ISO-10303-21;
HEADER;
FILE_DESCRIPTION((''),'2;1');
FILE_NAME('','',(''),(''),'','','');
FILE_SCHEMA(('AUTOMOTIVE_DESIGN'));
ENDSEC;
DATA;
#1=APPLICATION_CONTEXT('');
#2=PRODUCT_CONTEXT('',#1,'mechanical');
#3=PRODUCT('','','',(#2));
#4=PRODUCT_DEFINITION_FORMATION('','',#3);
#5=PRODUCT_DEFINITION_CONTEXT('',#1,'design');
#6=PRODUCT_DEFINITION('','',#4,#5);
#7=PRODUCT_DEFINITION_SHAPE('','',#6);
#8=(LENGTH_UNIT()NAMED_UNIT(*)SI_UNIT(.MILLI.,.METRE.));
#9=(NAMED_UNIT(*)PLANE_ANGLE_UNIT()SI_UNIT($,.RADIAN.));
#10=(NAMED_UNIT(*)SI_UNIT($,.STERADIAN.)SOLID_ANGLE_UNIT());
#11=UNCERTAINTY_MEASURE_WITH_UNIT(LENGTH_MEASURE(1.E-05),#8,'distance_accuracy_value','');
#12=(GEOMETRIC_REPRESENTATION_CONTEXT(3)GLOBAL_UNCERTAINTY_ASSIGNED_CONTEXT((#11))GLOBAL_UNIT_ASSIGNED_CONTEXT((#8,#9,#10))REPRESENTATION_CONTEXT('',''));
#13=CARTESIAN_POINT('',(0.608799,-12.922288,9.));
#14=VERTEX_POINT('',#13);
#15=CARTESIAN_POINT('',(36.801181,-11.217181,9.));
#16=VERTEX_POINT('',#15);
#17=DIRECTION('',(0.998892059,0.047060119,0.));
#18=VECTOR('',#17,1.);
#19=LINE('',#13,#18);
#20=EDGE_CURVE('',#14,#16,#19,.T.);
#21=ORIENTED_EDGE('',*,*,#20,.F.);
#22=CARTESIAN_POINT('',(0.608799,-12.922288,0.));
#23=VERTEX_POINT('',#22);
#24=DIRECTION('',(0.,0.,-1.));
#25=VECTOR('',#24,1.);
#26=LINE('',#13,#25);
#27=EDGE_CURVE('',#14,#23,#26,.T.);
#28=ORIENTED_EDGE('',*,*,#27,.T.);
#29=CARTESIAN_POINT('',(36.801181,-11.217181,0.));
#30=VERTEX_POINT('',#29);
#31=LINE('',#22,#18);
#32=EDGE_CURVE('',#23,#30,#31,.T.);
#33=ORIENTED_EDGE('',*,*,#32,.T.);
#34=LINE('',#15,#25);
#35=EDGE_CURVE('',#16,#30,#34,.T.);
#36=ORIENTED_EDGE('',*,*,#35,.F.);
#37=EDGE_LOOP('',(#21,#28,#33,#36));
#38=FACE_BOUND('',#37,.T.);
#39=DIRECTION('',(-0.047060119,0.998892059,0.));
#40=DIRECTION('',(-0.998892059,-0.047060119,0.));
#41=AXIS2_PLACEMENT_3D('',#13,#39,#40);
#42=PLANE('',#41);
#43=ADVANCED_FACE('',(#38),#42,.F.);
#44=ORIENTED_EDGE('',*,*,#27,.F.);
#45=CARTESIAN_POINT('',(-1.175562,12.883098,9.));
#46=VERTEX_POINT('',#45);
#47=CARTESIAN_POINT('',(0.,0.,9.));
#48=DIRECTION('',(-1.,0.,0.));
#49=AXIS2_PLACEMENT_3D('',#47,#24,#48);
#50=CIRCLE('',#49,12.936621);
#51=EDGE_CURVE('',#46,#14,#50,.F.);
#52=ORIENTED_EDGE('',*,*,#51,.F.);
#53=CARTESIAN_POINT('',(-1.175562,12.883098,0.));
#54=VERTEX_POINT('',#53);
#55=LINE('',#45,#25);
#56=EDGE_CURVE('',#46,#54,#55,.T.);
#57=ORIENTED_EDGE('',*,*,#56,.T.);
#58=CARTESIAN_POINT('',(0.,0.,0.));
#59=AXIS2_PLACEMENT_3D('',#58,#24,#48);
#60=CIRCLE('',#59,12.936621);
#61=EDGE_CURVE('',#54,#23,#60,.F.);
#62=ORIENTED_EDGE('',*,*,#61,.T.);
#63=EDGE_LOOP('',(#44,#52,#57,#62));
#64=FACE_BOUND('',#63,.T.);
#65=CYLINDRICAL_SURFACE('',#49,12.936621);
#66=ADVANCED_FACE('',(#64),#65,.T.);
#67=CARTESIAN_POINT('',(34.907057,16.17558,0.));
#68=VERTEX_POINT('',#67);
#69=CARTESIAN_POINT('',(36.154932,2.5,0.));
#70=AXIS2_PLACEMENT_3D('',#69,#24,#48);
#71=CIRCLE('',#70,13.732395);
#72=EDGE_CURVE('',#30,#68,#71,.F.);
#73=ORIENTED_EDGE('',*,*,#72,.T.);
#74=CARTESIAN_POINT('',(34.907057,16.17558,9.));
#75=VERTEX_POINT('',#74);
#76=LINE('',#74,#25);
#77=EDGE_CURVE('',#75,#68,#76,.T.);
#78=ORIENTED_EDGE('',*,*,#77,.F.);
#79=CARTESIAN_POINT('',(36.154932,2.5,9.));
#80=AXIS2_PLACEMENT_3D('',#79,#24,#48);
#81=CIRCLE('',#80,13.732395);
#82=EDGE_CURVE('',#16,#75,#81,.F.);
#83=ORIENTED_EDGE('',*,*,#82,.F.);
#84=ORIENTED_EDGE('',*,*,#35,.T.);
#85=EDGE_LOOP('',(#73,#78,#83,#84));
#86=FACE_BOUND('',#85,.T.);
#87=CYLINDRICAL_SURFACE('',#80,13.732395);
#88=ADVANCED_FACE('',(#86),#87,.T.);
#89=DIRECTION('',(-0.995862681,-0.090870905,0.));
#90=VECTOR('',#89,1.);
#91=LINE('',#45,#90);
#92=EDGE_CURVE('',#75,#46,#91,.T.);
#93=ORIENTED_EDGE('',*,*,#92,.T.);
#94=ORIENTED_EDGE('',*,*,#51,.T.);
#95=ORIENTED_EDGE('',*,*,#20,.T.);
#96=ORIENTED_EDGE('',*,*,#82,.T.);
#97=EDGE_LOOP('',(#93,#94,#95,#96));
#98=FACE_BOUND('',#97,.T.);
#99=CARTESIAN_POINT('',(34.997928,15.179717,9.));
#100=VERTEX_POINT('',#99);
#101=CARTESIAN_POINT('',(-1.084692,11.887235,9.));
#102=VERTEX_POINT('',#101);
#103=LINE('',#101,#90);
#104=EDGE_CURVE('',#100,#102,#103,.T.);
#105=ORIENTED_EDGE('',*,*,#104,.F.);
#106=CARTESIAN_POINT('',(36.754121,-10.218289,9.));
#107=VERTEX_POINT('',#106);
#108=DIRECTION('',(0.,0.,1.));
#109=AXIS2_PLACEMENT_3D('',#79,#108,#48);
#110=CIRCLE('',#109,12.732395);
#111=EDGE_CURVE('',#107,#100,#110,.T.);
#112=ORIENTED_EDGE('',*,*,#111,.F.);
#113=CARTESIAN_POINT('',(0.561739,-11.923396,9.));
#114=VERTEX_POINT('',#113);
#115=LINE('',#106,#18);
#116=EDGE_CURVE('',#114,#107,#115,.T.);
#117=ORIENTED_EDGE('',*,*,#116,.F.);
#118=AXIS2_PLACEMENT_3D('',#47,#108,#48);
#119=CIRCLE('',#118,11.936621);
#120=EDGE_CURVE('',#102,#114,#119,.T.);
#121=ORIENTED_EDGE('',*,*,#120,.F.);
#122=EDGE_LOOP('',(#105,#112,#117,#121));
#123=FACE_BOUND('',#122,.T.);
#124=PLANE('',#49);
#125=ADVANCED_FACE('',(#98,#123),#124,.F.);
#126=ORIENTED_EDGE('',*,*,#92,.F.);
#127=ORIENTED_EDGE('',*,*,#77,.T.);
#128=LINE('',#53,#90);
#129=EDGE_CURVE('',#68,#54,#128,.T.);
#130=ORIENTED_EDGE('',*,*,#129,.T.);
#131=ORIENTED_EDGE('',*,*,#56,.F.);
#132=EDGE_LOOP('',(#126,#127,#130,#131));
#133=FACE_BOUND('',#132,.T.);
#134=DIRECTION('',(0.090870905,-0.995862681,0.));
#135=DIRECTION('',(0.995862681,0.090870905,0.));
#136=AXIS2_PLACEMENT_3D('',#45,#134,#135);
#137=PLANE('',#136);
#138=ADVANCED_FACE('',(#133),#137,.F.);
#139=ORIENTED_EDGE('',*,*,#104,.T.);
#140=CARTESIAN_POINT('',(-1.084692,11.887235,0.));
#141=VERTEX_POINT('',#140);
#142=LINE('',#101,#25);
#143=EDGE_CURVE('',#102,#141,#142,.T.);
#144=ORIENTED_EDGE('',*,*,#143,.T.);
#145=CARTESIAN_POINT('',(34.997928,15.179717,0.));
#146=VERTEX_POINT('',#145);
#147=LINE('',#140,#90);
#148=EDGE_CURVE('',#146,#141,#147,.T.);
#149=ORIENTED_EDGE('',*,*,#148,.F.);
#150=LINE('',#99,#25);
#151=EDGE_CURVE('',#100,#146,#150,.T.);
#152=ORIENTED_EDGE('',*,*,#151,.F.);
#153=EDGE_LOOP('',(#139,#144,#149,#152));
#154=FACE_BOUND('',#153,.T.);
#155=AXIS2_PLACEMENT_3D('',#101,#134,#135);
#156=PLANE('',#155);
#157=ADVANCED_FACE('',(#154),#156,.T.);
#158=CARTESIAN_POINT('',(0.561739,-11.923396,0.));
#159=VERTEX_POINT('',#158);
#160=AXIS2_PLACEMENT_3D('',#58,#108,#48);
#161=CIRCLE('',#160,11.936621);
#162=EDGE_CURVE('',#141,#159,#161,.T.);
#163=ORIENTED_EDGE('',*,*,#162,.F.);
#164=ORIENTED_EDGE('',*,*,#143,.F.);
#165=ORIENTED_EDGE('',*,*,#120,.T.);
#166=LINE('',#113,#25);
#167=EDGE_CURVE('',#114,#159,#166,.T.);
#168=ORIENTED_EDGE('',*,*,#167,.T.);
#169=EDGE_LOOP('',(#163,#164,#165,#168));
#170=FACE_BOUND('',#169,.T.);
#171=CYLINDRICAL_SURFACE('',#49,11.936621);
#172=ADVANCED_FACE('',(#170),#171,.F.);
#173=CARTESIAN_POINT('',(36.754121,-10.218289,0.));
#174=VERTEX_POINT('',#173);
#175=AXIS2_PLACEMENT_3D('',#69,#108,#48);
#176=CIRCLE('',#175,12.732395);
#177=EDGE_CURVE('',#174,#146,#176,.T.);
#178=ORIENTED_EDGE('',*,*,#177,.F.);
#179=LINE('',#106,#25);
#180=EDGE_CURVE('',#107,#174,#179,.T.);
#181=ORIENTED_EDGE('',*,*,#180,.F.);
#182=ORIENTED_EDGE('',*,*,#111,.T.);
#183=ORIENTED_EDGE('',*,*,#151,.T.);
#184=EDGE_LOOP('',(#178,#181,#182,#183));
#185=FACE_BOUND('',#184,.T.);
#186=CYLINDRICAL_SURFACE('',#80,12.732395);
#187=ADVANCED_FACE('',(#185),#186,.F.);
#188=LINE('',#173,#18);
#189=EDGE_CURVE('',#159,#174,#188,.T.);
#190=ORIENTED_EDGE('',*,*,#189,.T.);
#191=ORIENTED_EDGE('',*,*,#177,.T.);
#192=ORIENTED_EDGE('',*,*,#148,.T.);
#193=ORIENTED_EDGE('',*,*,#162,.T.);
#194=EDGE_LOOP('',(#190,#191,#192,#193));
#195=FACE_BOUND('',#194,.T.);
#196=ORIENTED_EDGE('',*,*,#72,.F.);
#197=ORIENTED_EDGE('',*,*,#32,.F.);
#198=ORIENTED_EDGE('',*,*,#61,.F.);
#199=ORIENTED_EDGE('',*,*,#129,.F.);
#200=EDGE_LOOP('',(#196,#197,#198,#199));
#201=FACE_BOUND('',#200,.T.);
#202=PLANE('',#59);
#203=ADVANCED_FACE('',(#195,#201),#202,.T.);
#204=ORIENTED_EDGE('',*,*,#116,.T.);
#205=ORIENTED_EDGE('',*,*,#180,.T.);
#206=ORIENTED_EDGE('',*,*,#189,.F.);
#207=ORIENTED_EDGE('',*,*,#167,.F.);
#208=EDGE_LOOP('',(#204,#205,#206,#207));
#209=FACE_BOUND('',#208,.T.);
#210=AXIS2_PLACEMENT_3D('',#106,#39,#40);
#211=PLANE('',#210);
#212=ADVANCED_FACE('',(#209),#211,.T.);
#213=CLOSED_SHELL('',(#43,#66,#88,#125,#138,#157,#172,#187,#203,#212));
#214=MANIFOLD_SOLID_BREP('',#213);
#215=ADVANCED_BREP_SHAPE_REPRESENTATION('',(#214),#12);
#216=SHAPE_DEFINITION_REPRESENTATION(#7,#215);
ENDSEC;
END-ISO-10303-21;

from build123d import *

# Parameters (mm, degrees)
EXTRUDE_THIN1_DEPTH = 9


with BuildPart() as part:
    # Sketch2 → Extrude-Thin1 (new body)
    with BuildSketch(Plane.XY):
        with BuildLine():
            Line((36.801180622, -11.217180761), (0.608798914, -12.922287717))
            ThreePointArc((0.608798914, -12.922287717), (-12.905804339, -0.892395827), (-1.175562428, 12.883097801))
            Line((-1.175562428, 12.883097801), (34.907057259, 16.175580142))
            ThreePointArc((34.907057259, 16.175580142), (49.854615891, 3.447290073), (36.801180622, -11.217180761))
        make_face()
        with BuildLine():
            Line((36.754120503, -10.218288702), (0.561738795, -11.923395658))
            ThreePointArc((0.561738795, -11.923395658), (-11.908186445, -0.823413684), (-1.084691523, 11.88723512))
            Line((-1.084691523, 11.88723512), (34.997928163, 15.179717461))
            ThreePointArc((34.997928163, 15.179717461), (48.856997996, 3.378307929), (36.754120503, -10.218288702))
        make_face(mode=Mode.SUBTRACT)
    extrude(amount=EXTRUDE_THIN1_DEPTH)


solid = part.part
